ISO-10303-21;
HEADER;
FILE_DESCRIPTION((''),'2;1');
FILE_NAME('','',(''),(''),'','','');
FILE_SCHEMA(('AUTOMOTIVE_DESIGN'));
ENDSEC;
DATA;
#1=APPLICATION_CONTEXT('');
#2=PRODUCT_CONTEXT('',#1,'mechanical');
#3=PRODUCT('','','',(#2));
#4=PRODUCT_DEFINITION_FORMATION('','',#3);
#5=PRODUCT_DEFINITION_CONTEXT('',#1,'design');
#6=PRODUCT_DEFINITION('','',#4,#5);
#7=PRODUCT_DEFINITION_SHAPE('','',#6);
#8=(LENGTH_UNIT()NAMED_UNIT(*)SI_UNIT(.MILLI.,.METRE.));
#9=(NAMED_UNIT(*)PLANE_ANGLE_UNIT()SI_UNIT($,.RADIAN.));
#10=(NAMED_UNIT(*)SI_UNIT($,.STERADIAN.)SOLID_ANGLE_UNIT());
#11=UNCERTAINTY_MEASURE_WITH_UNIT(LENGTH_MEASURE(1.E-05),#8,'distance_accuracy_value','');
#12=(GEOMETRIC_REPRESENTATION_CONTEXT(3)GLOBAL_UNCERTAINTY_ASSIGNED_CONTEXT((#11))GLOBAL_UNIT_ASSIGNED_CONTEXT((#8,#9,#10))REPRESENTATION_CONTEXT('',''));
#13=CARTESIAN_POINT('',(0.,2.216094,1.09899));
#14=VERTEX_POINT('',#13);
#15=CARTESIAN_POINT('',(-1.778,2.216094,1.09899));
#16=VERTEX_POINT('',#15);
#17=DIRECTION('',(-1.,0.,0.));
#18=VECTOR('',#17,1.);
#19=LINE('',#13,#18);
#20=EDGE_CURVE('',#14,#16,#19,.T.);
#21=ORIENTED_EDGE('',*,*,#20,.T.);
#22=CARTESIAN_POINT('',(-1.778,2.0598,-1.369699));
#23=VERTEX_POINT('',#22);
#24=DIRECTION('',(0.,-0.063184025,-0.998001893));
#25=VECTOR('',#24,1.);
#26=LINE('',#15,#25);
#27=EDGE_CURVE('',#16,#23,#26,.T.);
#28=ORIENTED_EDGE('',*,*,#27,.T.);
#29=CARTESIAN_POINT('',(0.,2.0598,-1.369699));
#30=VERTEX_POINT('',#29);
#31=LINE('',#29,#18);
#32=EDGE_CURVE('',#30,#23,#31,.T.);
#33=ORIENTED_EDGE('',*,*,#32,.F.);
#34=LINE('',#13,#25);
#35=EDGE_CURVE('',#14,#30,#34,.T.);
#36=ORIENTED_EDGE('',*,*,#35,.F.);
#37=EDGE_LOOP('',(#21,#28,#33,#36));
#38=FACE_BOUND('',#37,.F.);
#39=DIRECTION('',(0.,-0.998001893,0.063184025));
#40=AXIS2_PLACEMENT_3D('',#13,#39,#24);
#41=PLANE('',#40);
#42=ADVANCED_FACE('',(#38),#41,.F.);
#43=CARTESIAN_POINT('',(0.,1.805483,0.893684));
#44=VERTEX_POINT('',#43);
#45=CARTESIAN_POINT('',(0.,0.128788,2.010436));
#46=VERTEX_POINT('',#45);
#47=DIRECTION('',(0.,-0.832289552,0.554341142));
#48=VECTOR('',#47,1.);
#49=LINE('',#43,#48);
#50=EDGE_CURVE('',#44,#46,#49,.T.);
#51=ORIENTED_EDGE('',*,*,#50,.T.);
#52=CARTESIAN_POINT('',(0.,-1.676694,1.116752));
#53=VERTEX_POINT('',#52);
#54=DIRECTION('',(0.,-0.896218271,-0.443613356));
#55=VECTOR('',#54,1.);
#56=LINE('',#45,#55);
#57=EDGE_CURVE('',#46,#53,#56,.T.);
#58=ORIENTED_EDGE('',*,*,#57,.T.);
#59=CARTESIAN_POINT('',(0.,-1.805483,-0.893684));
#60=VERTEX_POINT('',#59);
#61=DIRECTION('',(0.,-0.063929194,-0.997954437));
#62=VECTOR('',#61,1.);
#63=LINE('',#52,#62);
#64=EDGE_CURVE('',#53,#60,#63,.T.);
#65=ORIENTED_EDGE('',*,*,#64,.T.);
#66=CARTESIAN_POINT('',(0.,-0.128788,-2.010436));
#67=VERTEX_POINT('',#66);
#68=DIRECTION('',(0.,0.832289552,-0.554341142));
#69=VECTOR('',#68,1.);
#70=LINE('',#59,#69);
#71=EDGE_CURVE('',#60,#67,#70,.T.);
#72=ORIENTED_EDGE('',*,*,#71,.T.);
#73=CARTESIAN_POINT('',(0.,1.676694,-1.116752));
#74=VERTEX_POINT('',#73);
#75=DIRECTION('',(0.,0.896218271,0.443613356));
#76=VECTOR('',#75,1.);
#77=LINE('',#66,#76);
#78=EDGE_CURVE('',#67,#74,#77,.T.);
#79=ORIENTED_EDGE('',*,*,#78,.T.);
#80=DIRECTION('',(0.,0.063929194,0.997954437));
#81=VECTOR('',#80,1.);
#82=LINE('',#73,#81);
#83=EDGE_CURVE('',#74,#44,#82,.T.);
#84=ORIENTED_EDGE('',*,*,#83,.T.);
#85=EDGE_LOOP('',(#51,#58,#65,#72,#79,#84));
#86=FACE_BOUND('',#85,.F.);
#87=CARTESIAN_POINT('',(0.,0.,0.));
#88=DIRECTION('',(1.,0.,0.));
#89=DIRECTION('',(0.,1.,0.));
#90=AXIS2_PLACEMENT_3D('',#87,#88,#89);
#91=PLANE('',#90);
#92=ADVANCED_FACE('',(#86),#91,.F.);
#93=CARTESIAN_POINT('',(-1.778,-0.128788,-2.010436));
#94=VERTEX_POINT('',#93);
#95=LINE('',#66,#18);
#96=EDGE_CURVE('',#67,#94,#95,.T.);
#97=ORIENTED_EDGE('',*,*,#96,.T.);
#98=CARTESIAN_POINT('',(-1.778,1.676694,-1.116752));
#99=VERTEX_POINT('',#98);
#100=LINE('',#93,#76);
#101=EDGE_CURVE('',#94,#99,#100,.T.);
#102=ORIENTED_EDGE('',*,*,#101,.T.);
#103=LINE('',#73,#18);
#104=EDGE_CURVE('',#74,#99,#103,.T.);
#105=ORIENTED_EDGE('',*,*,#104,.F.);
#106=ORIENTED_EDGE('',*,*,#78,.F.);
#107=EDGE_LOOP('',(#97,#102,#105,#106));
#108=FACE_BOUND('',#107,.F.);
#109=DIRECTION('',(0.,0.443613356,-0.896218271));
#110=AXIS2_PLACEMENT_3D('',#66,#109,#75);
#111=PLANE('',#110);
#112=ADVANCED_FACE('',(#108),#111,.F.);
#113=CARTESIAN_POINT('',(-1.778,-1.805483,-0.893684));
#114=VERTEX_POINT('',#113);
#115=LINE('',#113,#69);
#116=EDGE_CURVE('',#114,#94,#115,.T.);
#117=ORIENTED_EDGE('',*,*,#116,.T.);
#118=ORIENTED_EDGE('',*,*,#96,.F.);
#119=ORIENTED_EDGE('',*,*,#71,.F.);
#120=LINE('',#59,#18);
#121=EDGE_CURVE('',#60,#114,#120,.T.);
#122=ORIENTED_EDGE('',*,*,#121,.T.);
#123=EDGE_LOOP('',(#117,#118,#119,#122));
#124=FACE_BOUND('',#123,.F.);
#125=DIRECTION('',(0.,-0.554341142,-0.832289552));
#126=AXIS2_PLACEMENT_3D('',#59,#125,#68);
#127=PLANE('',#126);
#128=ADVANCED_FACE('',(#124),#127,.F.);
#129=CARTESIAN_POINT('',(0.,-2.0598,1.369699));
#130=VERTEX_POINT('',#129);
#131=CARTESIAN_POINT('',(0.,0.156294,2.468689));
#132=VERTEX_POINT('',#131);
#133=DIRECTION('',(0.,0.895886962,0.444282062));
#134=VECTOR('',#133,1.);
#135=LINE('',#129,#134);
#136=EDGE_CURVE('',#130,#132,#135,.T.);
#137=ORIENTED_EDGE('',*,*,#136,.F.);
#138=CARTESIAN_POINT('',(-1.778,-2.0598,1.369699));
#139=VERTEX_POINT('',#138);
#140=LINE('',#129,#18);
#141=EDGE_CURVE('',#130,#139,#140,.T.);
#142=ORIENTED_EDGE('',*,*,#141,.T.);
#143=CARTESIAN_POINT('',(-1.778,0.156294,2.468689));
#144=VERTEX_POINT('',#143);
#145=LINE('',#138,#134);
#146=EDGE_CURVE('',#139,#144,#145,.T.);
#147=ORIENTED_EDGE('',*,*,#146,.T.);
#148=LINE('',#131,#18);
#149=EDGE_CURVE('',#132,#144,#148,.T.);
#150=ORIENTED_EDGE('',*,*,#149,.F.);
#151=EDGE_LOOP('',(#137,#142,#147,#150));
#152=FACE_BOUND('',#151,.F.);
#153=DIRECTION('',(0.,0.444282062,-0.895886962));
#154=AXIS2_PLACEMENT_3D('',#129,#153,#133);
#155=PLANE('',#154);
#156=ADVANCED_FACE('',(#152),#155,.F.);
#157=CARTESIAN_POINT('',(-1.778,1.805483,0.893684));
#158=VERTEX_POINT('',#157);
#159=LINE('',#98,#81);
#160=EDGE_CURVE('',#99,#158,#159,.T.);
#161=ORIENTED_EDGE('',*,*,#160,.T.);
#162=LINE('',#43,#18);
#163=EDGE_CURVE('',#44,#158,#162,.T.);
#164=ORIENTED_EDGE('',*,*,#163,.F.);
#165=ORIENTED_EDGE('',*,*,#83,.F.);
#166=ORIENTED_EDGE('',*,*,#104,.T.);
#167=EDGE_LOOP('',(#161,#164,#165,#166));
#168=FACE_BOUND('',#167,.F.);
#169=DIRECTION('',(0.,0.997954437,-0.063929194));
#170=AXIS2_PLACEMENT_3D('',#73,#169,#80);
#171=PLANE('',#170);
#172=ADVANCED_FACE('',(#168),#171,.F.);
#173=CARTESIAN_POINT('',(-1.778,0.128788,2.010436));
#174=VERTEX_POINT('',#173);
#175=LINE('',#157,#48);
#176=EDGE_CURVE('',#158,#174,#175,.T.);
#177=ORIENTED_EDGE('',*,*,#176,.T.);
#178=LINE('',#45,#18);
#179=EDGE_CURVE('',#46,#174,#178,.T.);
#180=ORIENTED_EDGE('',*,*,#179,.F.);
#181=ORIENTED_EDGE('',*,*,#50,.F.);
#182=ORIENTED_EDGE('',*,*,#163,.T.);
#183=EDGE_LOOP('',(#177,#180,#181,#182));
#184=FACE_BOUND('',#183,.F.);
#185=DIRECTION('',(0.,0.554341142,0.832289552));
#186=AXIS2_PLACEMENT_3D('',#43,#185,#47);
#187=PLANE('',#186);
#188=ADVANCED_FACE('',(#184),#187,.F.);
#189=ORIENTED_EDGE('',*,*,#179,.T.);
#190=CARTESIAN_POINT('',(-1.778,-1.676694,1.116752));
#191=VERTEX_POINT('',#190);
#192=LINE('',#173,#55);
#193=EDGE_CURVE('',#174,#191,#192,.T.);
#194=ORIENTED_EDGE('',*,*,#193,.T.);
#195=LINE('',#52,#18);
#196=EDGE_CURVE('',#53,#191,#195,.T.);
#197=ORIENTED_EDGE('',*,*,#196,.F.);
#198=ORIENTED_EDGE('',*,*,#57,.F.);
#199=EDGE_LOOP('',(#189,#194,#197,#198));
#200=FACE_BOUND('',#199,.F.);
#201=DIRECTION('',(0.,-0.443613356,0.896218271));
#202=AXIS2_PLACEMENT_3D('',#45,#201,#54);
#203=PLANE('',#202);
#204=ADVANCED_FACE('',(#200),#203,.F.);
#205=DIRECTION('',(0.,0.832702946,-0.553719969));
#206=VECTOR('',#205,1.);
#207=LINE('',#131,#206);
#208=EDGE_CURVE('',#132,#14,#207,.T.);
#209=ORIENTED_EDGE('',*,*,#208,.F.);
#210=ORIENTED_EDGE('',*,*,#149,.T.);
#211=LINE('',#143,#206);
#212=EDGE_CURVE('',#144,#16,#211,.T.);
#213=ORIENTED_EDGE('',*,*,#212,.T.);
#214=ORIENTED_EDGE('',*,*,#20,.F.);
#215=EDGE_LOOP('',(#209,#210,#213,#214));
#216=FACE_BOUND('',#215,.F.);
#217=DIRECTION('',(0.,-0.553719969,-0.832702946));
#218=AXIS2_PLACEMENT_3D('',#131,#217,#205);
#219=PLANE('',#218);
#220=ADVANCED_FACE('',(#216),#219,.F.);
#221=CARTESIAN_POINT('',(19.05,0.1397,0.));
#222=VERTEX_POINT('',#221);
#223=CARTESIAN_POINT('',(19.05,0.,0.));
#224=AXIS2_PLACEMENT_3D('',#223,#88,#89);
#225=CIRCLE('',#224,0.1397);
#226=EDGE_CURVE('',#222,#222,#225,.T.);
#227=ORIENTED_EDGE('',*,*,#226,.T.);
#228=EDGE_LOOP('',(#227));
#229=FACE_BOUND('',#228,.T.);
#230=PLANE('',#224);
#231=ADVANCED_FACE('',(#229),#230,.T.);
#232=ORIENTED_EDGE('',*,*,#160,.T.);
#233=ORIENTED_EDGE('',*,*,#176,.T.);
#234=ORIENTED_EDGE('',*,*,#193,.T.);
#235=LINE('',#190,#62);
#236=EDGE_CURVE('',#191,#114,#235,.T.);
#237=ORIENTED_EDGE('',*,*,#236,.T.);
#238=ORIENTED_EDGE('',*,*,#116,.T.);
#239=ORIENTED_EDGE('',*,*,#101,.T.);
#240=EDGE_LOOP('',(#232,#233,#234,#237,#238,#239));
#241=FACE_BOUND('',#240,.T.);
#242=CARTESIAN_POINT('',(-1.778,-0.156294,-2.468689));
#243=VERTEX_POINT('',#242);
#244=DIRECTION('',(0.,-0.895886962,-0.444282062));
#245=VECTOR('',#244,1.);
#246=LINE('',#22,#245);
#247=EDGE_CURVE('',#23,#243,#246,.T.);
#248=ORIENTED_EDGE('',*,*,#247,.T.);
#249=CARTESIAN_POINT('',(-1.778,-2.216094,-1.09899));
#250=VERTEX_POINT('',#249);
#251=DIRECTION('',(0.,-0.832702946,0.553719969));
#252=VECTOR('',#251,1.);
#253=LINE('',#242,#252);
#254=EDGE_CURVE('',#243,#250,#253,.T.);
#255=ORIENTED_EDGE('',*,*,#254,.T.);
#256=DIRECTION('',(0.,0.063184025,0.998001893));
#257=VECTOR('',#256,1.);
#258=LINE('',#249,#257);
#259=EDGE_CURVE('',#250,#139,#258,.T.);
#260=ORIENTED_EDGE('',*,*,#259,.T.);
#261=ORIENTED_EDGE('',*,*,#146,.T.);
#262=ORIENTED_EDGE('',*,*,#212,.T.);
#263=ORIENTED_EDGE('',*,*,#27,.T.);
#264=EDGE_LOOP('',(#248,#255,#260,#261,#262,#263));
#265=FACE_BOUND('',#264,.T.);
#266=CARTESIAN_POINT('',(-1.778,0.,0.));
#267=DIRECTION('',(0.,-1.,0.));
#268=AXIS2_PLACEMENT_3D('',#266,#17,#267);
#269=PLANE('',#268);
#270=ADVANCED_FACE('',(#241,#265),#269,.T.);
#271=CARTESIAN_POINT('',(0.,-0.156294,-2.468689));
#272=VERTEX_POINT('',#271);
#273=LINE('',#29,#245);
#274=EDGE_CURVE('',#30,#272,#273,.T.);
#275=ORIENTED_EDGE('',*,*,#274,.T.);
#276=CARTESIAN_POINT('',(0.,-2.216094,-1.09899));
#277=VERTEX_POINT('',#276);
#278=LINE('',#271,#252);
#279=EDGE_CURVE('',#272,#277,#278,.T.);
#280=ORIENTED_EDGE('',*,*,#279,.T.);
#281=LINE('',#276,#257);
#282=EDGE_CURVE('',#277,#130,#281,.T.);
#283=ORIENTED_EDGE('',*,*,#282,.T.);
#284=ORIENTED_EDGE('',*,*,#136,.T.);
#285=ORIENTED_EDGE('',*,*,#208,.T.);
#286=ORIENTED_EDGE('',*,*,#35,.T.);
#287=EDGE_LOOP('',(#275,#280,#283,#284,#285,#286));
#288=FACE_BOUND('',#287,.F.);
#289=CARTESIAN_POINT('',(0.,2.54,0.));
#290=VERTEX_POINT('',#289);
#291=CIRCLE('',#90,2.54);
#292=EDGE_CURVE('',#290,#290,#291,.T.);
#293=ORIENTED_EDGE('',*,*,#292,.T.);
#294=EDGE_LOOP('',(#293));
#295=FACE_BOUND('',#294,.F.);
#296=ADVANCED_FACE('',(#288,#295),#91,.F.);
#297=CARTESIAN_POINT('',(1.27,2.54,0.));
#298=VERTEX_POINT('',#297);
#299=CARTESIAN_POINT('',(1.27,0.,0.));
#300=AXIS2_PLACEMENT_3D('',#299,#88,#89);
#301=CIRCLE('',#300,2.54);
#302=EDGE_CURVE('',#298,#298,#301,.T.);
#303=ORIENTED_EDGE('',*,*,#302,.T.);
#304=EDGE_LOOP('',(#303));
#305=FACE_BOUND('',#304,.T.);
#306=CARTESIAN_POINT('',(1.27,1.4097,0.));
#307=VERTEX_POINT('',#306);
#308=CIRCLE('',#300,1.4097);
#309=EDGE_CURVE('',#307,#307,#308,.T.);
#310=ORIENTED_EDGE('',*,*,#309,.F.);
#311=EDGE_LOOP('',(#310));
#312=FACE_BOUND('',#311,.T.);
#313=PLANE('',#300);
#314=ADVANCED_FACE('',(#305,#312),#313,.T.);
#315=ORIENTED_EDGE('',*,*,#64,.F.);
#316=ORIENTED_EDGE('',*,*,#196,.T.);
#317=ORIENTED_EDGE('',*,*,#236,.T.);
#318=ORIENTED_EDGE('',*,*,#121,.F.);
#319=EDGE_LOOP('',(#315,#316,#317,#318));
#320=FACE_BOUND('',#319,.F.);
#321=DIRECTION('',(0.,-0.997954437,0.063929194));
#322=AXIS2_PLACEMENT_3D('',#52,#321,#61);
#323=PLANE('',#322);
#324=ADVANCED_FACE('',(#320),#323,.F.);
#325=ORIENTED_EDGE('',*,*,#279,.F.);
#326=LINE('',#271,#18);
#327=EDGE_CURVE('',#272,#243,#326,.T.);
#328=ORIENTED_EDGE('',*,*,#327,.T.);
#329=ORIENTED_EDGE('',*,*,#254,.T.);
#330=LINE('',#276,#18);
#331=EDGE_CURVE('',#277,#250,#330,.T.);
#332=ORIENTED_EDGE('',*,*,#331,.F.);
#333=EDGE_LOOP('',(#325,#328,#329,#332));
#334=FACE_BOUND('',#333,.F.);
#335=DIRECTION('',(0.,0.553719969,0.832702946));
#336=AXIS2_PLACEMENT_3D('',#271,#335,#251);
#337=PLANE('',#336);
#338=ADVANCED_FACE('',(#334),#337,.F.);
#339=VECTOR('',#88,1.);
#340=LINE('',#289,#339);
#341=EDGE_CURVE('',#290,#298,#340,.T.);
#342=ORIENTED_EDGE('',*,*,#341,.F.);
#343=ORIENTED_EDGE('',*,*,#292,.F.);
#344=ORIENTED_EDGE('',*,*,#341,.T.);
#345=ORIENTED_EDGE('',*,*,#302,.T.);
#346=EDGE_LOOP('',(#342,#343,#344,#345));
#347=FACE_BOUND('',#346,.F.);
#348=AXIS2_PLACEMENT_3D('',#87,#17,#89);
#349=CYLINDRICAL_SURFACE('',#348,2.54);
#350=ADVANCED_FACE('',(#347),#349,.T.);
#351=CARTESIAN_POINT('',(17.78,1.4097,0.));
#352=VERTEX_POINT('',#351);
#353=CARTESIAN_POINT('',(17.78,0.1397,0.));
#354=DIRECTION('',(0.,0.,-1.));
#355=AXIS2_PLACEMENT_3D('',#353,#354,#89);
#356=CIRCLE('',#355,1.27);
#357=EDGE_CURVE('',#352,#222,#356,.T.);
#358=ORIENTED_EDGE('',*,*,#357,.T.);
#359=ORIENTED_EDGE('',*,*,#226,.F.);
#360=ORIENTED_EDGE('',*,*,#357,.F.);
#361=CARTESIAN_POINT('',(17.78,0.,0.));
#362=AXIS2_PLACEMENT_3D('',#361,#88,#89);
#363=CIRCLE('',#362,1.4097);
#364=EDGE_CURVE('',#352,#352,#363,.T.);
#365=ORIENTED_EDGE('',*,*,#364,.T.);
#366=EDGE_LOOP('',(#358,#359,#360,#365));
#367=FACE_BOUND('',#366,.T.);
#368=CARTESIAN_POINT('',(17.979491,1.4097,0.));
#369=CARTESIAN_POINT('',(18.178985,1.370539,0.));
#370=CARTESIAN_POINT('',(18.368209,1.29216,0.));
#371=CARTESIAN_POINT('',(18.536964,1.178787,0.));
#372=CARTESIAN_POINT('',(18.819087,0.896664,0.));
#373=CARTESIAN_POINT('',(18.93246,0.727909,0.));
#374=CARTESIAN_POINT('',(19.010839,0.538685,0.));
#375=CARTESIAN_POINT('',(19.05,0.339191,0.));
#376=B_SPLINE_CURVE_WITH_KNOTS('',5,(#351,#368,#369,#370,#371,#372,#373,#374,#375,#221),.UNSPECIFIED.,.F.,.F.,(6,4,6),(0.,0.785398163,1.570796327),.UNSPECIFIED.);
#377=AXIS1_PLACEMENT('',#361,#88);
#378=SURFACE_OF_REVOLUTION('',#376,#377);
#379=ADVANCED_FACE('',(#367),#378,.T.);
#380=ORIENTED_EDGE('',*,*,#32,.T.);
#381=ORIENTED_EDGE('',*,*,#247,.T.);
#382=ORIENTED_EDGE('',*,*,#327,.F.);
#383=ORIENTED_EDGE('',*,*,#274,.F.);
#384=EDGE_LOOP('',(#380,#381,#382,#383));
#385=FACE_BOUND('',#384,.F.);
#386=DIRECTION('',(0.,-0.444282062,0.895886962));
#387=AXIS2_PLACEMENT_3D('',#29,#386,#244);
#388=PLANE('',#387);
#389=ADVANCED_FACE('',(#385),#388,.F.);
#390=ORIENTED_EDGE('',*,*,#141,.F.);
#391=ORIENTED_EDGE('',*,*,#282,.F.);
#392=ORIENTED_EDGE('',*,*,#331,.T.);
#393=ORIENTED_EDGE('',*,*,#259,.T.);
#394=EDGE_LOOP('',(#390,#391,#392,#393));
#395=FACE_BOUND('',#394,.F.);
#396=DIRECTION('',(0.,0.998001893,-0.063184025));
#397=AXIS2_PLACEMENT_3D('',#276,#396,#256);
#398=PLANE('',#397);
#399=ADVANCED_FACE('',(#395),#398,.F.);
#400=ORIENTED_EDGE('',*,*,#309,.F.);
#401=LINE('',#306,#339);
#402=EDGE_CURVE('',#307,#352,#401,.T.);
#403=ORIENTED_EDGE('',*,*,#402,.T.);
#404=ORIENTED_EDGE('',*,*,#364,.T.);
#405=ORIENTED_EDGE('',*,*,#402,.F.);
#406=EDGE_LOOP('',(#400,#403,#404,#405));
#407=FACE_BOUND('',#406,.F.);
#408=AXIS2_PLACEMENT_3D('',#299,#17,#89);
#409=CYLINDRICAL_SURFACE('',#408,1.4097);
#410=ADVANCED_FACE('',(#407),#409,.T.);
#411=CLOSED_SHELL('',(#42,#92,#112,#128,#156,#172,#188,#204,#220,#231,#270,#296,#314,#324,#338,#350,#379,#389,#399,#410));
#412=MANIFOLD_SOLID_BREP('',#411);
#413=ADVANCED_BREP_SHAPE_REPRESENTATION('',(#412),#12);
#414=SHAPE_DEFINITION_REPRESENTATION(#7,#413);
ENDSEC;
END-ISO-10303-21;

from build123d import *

# Parameters (mm, degrees)
F0_R     = 2.54
F1_DEPTH = 1.27
F3_DEPTH = 1.778
F4_R     = 1.4097
F5_DEPTH = 17.78
F6_R     = 1.27


with BuildPart() as f1:
    # F0 (on Right) → F1 (new body)
    with BuildSketch(Plane.YZ):
        Circle(F0_R)
    extrude(amount=F1_DEPTH)

    # F2 (on face) → F3 (join)
    with BuildSketch(Plane(origin=(0, 0, 0), x_dir=(0, -1, 0), z_dir=(-1, 0, 0))):
        Polygon((-2.0598, -1.369699), (0.156294, -2.468689), (2.216094, -1.09899), (2.0598, 1.369699), (-0.156294, 2.468689), (-2.216094, 1.09899), align=None)
        Polygon((1.805483, -0.893684), (0.128788, -2.010436), (-1.676694, -1.116752), (-1.805483, 0.893684), (-0.128788, 2.010436), (1.676694, 1.116752), align=None, mode=Mode.SUBTRACT)
    extrude(amount=F3_DEPTH)

    # F4 (on face) → F5 (join)
    with BuildSketch(Plane.YZ.offset(1.27)):
        Circle(F4_R)
    extrude(amount=F5_DEPTH)

    # F6
    f6_edges = [f1.edges().sort_by_distance(p)[0] for p in [
        (19.05, -1.4097, 0),
    ]]
    fillet(f6_edges, radius=F6_R)


solid = f1.part
